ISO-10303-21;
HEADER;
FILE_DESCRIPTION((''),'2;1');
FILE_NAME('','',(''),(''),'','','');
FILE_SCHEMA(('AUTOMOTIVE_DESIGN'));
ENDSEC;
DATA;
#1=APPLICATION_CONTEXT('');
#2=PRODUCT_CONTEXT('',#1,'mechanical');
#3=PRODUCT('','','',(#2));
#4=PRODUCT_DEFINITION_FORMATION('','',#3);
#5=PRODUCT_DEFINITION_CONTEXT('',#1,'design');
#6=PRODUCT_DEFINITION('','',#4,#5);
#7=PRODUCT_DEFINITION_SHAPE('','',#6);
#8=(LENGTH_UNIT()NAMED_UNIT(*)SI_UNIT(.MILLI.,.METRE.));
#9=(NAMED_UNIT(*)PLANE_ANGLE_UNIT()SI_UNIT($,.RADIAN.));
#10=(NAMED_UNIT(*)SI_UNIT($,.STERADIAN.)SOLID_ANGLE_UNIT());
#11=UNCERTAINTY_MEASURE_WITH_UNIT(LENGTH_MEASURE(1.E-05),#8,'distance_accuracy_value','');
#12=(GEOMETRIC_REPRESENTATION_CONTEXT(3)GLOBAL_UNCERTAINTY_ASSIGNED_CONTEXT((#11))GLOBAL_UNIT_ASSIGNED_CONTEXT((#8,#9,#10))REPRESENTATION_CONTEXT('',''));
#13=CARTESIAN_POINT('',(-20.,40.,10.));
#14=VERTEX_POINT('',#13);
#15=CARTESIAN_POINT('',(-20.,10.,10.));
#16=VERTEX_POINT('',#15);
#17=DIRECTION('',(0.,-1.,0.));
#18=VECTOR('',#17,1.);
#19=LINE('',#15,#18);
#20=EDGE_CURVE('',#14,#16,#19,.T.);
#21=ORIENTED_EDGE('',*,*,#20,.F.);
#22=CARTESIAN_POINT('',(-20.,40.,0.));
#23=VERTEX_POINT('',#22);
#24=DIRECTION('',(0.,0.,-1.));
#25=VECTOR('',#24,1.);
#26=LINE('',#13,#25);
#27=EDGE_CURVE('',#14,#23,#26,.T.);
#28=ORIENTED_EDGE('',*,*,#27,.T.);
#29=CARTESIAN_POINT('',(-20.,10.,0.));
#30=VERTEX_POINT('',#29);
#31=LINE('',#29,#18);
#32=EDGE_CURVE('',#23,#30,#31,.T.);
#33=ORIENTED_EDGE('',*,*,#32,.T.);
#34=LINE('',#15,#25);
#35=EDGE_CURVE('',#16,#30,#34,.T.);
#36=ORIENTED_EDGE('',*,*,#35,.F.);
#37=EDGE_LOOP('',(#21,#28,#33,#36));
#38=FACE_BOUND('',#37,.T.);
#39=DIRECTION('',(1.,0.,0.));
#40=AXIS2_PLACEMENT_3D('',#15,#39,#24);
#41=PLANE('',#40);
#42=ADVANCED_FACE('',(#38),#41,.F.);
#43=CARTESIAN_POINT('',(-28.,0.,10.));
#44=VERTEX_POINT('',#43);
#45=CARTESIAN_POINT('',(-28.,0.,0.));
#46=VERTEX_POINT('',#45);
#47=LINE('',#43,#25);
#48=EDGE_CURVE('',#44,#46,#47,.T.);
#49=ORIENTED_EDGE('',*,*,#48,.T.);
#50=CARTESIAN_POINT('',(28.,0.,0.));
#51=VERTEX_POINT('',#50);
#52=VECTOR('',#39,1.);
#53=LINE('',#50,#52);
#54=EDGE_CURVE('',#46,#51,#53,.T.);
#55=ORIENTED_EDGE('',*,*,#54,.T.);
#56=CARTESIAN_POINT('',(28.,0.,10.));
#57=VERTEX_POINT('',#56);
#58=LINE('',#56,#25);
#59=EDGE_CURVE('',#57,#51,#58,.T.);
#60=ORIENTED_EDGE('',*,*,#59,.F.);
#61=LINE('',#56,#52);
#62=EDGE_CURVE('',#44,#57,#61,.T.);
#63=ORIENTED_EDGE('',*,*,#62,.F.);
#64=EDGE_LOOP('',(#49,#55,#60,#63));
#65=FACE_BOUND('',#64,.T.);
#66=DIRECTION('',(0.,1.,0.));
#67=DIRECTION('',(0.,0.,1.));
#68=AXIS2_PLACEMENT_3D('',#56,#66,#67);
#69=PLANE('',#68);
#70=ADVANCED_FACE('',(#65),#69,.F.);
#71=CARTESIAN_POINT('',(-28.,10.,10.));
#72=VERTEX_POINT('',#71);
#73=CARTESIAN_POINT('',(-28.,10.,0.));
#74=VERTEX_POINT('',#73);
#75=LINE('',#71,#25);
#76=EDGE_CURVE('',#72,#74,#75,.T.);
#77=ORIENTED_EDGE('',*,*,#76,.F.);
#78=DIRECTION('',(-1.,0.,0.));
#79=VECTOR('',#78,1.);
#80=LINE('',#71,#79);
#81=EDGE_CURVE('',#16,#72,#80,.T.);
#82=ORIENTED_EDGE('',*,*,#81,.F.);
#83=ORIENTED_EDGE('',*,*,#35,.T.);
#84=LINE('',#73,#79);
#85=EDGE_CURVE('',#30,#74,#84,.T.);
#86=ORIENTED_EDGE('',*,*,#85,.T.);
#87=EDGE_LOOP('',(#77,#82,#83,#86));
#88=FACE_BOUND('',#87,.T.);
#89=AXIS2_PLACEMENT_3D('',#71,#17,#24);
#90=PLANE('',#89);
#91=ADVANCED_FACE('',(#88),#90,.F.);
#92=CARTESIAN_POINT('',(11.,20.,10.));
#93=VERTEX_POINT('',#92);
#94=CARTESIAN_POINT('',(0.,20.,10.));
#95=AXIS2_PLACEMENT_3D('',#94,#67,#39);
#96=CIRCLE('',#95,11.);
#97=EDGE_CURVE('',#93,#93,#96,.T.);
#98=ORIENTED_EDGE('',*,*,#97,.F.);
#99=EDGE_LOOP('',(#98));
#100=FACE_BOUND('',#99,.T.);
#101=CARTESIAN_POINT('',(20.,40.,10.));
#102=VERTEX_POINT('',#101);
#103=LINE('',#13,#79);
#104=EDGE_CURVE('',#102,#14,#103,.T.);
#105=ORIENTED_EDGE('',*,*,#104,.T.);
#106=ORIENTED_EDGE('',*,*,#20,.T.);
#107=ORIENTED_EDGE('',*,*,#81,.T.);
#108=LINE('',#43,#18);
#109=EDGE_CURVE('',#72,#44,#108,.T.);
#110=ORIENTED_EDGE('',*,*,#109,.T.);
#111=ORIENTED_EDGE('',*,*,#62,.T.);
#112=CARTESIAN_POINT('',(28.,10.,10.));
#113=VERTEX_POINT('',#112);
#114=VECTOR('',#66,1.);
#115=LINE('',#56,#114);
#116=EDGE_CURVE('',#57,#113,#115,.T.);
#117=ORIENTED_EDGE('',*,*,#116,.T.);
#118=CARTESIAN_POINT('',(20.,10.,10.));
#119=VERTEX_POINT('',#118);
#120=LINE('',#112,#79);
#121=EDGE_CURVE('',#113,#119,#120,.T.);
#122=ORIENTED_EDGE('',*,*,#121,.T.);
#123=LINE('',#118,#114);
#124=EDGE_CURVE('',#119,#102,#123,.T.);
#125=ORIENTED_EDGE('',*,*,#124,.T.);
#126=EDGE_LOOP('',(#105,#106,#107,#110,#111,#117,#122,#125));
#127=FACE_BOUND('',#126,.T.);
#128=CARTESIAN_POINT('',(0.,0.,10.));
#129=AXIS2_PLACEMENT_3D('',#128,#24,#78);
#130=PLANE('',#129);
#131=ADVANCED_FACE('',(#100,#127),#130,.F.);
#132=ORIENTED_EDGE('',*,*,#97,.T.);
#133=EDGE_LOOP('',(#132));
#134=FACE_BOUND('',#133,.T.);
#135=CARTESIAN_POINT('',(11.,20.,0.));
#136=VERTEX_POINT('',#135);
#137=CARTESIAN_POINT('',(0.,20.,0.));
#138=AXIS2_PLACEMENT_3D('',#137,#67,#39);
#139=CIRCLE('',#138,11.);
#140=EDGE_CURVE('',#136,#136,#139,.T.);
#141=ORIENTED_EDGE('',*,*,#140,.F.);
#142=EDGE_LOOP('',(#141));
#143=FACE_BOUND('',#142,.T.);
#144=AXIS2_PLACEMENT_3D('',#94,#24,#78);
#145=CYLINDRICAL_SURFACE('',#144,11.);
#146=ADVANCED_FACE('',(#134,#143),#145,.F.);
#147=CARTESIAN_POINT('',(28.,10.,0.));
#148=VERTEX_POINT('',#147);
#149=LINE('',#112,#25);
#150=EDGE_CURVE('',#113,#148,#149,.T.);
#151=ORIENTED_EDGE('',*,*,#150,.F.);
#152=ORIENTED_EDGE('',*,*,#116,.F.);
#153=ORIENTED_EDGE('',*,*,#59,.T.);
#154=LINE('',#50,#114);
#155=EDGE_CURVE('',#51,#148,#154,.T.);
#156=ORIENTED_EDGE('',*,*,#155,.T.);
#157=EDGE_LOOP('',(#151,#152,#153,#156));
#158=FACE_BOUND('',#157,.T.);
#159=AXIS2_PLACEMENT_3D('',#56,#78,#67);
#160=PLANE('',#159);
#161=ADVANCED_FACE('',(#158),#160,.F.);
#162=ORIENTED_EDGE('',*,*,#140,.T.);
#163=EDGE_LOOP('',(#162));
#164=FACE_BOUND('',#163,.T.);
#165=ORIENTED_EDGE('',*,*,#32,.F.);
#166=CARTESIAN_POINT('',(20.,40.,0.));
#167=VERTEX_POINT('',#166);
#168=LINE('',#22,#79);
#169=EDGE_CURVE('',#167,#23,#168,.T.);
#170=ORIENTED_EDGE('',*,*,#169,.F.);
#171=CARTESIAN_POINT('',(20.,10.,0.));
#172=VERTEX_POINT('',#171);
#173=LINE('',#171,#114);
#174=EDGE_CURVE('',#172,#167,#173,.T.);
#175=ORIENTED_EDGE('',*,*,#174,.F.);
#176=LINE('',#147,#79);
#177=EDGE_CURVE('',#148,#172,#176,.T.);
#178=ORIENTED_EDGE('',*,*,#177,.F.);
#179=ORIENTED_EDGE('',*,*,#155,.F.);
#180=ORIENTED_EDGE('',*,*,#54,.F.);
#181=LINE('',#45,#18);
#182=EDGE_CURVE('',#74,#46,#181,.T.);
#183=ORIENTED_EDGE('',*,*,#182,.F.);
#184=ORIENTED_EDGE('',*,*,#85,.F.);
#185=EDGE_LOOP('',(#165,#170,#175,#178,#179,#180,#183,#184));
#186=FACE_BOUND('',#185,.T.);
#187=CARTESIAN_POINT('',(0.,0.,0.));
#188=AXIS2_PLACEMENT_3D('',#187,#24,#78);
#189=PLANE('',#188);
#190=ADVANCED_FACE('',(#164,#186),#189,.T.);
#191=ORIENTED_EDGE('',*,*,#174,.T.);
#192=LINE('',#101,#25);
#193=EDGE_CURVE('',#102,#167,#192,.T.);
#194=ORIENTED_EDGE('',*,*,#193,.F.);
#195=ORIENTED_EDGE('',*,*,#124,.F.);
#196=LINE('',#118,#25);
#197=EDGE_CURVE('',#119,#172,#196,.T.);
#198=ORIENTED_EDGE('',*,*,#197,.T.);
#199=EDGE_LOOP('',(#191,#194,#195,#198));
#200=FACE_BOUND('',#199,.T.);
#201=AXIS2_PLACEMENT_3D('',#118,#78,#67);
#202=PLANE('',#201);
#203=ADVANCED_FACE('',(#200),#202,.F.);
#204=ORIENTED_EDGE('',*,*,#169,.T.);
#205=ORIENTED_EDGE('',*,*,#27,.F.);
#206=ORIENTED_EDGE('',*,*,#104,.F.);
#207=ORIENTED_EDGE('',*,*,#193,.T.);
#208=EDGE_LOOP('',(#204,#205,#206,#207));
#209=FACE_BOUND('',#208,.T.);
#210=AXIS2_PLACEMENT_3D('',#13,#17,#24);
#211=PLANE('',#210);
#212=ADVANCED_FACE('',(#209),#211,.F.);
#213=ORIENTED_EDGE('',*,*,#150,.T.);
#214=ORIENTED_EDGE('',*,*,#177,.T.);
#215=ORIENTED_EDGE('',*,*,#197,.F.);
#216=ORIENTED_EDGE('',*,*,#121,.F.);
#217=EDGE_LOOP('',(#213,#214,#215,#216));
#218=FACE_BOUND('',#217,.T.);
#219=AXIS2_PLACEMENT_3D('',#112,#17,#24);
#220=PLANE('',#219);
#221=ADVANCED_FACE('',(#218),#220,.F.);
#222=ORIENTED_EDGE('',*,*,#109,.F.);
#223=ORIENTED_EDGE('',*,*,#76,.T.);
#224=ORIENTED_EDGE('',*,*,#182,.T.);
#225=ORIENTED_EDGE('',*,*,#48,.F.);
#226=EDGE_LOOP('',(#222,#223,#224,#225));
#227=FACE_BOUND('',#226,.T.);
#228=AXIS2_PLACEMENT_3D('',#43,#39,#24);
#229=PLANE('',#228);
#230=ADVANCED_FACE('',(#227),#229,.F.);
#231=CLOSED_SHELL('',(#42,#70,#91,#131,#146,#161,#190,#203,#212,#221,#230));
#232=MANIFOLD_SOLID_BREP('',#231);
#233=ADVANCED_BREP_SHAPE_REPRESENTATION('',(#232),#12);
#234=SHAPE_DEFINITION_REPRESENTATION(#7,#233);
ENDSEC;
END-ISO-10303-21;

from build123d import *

# Parameters (mm, degrees)
SKETCH1_R           = 11
BOSS_EXTRUDE1_DEPTH = 10


with BuildPart() as part:
    # Sketch1 → Boss-Extrude1 (new body)
    with BuildSketch(Plane.XY):
        Polygon((28, 0), (-28, 0), (-28, 10), (-20, 10), (-20, 40), (20, 40), (20, 10), (28, 10), align=None)
        with Locations((0, 20)):
            Circle(SKETCH1_R, mode=Mode.SUBTRACT)
    extrude(amount=BOSS_EXTRUDE1_DEPTH)


solid = part.part
